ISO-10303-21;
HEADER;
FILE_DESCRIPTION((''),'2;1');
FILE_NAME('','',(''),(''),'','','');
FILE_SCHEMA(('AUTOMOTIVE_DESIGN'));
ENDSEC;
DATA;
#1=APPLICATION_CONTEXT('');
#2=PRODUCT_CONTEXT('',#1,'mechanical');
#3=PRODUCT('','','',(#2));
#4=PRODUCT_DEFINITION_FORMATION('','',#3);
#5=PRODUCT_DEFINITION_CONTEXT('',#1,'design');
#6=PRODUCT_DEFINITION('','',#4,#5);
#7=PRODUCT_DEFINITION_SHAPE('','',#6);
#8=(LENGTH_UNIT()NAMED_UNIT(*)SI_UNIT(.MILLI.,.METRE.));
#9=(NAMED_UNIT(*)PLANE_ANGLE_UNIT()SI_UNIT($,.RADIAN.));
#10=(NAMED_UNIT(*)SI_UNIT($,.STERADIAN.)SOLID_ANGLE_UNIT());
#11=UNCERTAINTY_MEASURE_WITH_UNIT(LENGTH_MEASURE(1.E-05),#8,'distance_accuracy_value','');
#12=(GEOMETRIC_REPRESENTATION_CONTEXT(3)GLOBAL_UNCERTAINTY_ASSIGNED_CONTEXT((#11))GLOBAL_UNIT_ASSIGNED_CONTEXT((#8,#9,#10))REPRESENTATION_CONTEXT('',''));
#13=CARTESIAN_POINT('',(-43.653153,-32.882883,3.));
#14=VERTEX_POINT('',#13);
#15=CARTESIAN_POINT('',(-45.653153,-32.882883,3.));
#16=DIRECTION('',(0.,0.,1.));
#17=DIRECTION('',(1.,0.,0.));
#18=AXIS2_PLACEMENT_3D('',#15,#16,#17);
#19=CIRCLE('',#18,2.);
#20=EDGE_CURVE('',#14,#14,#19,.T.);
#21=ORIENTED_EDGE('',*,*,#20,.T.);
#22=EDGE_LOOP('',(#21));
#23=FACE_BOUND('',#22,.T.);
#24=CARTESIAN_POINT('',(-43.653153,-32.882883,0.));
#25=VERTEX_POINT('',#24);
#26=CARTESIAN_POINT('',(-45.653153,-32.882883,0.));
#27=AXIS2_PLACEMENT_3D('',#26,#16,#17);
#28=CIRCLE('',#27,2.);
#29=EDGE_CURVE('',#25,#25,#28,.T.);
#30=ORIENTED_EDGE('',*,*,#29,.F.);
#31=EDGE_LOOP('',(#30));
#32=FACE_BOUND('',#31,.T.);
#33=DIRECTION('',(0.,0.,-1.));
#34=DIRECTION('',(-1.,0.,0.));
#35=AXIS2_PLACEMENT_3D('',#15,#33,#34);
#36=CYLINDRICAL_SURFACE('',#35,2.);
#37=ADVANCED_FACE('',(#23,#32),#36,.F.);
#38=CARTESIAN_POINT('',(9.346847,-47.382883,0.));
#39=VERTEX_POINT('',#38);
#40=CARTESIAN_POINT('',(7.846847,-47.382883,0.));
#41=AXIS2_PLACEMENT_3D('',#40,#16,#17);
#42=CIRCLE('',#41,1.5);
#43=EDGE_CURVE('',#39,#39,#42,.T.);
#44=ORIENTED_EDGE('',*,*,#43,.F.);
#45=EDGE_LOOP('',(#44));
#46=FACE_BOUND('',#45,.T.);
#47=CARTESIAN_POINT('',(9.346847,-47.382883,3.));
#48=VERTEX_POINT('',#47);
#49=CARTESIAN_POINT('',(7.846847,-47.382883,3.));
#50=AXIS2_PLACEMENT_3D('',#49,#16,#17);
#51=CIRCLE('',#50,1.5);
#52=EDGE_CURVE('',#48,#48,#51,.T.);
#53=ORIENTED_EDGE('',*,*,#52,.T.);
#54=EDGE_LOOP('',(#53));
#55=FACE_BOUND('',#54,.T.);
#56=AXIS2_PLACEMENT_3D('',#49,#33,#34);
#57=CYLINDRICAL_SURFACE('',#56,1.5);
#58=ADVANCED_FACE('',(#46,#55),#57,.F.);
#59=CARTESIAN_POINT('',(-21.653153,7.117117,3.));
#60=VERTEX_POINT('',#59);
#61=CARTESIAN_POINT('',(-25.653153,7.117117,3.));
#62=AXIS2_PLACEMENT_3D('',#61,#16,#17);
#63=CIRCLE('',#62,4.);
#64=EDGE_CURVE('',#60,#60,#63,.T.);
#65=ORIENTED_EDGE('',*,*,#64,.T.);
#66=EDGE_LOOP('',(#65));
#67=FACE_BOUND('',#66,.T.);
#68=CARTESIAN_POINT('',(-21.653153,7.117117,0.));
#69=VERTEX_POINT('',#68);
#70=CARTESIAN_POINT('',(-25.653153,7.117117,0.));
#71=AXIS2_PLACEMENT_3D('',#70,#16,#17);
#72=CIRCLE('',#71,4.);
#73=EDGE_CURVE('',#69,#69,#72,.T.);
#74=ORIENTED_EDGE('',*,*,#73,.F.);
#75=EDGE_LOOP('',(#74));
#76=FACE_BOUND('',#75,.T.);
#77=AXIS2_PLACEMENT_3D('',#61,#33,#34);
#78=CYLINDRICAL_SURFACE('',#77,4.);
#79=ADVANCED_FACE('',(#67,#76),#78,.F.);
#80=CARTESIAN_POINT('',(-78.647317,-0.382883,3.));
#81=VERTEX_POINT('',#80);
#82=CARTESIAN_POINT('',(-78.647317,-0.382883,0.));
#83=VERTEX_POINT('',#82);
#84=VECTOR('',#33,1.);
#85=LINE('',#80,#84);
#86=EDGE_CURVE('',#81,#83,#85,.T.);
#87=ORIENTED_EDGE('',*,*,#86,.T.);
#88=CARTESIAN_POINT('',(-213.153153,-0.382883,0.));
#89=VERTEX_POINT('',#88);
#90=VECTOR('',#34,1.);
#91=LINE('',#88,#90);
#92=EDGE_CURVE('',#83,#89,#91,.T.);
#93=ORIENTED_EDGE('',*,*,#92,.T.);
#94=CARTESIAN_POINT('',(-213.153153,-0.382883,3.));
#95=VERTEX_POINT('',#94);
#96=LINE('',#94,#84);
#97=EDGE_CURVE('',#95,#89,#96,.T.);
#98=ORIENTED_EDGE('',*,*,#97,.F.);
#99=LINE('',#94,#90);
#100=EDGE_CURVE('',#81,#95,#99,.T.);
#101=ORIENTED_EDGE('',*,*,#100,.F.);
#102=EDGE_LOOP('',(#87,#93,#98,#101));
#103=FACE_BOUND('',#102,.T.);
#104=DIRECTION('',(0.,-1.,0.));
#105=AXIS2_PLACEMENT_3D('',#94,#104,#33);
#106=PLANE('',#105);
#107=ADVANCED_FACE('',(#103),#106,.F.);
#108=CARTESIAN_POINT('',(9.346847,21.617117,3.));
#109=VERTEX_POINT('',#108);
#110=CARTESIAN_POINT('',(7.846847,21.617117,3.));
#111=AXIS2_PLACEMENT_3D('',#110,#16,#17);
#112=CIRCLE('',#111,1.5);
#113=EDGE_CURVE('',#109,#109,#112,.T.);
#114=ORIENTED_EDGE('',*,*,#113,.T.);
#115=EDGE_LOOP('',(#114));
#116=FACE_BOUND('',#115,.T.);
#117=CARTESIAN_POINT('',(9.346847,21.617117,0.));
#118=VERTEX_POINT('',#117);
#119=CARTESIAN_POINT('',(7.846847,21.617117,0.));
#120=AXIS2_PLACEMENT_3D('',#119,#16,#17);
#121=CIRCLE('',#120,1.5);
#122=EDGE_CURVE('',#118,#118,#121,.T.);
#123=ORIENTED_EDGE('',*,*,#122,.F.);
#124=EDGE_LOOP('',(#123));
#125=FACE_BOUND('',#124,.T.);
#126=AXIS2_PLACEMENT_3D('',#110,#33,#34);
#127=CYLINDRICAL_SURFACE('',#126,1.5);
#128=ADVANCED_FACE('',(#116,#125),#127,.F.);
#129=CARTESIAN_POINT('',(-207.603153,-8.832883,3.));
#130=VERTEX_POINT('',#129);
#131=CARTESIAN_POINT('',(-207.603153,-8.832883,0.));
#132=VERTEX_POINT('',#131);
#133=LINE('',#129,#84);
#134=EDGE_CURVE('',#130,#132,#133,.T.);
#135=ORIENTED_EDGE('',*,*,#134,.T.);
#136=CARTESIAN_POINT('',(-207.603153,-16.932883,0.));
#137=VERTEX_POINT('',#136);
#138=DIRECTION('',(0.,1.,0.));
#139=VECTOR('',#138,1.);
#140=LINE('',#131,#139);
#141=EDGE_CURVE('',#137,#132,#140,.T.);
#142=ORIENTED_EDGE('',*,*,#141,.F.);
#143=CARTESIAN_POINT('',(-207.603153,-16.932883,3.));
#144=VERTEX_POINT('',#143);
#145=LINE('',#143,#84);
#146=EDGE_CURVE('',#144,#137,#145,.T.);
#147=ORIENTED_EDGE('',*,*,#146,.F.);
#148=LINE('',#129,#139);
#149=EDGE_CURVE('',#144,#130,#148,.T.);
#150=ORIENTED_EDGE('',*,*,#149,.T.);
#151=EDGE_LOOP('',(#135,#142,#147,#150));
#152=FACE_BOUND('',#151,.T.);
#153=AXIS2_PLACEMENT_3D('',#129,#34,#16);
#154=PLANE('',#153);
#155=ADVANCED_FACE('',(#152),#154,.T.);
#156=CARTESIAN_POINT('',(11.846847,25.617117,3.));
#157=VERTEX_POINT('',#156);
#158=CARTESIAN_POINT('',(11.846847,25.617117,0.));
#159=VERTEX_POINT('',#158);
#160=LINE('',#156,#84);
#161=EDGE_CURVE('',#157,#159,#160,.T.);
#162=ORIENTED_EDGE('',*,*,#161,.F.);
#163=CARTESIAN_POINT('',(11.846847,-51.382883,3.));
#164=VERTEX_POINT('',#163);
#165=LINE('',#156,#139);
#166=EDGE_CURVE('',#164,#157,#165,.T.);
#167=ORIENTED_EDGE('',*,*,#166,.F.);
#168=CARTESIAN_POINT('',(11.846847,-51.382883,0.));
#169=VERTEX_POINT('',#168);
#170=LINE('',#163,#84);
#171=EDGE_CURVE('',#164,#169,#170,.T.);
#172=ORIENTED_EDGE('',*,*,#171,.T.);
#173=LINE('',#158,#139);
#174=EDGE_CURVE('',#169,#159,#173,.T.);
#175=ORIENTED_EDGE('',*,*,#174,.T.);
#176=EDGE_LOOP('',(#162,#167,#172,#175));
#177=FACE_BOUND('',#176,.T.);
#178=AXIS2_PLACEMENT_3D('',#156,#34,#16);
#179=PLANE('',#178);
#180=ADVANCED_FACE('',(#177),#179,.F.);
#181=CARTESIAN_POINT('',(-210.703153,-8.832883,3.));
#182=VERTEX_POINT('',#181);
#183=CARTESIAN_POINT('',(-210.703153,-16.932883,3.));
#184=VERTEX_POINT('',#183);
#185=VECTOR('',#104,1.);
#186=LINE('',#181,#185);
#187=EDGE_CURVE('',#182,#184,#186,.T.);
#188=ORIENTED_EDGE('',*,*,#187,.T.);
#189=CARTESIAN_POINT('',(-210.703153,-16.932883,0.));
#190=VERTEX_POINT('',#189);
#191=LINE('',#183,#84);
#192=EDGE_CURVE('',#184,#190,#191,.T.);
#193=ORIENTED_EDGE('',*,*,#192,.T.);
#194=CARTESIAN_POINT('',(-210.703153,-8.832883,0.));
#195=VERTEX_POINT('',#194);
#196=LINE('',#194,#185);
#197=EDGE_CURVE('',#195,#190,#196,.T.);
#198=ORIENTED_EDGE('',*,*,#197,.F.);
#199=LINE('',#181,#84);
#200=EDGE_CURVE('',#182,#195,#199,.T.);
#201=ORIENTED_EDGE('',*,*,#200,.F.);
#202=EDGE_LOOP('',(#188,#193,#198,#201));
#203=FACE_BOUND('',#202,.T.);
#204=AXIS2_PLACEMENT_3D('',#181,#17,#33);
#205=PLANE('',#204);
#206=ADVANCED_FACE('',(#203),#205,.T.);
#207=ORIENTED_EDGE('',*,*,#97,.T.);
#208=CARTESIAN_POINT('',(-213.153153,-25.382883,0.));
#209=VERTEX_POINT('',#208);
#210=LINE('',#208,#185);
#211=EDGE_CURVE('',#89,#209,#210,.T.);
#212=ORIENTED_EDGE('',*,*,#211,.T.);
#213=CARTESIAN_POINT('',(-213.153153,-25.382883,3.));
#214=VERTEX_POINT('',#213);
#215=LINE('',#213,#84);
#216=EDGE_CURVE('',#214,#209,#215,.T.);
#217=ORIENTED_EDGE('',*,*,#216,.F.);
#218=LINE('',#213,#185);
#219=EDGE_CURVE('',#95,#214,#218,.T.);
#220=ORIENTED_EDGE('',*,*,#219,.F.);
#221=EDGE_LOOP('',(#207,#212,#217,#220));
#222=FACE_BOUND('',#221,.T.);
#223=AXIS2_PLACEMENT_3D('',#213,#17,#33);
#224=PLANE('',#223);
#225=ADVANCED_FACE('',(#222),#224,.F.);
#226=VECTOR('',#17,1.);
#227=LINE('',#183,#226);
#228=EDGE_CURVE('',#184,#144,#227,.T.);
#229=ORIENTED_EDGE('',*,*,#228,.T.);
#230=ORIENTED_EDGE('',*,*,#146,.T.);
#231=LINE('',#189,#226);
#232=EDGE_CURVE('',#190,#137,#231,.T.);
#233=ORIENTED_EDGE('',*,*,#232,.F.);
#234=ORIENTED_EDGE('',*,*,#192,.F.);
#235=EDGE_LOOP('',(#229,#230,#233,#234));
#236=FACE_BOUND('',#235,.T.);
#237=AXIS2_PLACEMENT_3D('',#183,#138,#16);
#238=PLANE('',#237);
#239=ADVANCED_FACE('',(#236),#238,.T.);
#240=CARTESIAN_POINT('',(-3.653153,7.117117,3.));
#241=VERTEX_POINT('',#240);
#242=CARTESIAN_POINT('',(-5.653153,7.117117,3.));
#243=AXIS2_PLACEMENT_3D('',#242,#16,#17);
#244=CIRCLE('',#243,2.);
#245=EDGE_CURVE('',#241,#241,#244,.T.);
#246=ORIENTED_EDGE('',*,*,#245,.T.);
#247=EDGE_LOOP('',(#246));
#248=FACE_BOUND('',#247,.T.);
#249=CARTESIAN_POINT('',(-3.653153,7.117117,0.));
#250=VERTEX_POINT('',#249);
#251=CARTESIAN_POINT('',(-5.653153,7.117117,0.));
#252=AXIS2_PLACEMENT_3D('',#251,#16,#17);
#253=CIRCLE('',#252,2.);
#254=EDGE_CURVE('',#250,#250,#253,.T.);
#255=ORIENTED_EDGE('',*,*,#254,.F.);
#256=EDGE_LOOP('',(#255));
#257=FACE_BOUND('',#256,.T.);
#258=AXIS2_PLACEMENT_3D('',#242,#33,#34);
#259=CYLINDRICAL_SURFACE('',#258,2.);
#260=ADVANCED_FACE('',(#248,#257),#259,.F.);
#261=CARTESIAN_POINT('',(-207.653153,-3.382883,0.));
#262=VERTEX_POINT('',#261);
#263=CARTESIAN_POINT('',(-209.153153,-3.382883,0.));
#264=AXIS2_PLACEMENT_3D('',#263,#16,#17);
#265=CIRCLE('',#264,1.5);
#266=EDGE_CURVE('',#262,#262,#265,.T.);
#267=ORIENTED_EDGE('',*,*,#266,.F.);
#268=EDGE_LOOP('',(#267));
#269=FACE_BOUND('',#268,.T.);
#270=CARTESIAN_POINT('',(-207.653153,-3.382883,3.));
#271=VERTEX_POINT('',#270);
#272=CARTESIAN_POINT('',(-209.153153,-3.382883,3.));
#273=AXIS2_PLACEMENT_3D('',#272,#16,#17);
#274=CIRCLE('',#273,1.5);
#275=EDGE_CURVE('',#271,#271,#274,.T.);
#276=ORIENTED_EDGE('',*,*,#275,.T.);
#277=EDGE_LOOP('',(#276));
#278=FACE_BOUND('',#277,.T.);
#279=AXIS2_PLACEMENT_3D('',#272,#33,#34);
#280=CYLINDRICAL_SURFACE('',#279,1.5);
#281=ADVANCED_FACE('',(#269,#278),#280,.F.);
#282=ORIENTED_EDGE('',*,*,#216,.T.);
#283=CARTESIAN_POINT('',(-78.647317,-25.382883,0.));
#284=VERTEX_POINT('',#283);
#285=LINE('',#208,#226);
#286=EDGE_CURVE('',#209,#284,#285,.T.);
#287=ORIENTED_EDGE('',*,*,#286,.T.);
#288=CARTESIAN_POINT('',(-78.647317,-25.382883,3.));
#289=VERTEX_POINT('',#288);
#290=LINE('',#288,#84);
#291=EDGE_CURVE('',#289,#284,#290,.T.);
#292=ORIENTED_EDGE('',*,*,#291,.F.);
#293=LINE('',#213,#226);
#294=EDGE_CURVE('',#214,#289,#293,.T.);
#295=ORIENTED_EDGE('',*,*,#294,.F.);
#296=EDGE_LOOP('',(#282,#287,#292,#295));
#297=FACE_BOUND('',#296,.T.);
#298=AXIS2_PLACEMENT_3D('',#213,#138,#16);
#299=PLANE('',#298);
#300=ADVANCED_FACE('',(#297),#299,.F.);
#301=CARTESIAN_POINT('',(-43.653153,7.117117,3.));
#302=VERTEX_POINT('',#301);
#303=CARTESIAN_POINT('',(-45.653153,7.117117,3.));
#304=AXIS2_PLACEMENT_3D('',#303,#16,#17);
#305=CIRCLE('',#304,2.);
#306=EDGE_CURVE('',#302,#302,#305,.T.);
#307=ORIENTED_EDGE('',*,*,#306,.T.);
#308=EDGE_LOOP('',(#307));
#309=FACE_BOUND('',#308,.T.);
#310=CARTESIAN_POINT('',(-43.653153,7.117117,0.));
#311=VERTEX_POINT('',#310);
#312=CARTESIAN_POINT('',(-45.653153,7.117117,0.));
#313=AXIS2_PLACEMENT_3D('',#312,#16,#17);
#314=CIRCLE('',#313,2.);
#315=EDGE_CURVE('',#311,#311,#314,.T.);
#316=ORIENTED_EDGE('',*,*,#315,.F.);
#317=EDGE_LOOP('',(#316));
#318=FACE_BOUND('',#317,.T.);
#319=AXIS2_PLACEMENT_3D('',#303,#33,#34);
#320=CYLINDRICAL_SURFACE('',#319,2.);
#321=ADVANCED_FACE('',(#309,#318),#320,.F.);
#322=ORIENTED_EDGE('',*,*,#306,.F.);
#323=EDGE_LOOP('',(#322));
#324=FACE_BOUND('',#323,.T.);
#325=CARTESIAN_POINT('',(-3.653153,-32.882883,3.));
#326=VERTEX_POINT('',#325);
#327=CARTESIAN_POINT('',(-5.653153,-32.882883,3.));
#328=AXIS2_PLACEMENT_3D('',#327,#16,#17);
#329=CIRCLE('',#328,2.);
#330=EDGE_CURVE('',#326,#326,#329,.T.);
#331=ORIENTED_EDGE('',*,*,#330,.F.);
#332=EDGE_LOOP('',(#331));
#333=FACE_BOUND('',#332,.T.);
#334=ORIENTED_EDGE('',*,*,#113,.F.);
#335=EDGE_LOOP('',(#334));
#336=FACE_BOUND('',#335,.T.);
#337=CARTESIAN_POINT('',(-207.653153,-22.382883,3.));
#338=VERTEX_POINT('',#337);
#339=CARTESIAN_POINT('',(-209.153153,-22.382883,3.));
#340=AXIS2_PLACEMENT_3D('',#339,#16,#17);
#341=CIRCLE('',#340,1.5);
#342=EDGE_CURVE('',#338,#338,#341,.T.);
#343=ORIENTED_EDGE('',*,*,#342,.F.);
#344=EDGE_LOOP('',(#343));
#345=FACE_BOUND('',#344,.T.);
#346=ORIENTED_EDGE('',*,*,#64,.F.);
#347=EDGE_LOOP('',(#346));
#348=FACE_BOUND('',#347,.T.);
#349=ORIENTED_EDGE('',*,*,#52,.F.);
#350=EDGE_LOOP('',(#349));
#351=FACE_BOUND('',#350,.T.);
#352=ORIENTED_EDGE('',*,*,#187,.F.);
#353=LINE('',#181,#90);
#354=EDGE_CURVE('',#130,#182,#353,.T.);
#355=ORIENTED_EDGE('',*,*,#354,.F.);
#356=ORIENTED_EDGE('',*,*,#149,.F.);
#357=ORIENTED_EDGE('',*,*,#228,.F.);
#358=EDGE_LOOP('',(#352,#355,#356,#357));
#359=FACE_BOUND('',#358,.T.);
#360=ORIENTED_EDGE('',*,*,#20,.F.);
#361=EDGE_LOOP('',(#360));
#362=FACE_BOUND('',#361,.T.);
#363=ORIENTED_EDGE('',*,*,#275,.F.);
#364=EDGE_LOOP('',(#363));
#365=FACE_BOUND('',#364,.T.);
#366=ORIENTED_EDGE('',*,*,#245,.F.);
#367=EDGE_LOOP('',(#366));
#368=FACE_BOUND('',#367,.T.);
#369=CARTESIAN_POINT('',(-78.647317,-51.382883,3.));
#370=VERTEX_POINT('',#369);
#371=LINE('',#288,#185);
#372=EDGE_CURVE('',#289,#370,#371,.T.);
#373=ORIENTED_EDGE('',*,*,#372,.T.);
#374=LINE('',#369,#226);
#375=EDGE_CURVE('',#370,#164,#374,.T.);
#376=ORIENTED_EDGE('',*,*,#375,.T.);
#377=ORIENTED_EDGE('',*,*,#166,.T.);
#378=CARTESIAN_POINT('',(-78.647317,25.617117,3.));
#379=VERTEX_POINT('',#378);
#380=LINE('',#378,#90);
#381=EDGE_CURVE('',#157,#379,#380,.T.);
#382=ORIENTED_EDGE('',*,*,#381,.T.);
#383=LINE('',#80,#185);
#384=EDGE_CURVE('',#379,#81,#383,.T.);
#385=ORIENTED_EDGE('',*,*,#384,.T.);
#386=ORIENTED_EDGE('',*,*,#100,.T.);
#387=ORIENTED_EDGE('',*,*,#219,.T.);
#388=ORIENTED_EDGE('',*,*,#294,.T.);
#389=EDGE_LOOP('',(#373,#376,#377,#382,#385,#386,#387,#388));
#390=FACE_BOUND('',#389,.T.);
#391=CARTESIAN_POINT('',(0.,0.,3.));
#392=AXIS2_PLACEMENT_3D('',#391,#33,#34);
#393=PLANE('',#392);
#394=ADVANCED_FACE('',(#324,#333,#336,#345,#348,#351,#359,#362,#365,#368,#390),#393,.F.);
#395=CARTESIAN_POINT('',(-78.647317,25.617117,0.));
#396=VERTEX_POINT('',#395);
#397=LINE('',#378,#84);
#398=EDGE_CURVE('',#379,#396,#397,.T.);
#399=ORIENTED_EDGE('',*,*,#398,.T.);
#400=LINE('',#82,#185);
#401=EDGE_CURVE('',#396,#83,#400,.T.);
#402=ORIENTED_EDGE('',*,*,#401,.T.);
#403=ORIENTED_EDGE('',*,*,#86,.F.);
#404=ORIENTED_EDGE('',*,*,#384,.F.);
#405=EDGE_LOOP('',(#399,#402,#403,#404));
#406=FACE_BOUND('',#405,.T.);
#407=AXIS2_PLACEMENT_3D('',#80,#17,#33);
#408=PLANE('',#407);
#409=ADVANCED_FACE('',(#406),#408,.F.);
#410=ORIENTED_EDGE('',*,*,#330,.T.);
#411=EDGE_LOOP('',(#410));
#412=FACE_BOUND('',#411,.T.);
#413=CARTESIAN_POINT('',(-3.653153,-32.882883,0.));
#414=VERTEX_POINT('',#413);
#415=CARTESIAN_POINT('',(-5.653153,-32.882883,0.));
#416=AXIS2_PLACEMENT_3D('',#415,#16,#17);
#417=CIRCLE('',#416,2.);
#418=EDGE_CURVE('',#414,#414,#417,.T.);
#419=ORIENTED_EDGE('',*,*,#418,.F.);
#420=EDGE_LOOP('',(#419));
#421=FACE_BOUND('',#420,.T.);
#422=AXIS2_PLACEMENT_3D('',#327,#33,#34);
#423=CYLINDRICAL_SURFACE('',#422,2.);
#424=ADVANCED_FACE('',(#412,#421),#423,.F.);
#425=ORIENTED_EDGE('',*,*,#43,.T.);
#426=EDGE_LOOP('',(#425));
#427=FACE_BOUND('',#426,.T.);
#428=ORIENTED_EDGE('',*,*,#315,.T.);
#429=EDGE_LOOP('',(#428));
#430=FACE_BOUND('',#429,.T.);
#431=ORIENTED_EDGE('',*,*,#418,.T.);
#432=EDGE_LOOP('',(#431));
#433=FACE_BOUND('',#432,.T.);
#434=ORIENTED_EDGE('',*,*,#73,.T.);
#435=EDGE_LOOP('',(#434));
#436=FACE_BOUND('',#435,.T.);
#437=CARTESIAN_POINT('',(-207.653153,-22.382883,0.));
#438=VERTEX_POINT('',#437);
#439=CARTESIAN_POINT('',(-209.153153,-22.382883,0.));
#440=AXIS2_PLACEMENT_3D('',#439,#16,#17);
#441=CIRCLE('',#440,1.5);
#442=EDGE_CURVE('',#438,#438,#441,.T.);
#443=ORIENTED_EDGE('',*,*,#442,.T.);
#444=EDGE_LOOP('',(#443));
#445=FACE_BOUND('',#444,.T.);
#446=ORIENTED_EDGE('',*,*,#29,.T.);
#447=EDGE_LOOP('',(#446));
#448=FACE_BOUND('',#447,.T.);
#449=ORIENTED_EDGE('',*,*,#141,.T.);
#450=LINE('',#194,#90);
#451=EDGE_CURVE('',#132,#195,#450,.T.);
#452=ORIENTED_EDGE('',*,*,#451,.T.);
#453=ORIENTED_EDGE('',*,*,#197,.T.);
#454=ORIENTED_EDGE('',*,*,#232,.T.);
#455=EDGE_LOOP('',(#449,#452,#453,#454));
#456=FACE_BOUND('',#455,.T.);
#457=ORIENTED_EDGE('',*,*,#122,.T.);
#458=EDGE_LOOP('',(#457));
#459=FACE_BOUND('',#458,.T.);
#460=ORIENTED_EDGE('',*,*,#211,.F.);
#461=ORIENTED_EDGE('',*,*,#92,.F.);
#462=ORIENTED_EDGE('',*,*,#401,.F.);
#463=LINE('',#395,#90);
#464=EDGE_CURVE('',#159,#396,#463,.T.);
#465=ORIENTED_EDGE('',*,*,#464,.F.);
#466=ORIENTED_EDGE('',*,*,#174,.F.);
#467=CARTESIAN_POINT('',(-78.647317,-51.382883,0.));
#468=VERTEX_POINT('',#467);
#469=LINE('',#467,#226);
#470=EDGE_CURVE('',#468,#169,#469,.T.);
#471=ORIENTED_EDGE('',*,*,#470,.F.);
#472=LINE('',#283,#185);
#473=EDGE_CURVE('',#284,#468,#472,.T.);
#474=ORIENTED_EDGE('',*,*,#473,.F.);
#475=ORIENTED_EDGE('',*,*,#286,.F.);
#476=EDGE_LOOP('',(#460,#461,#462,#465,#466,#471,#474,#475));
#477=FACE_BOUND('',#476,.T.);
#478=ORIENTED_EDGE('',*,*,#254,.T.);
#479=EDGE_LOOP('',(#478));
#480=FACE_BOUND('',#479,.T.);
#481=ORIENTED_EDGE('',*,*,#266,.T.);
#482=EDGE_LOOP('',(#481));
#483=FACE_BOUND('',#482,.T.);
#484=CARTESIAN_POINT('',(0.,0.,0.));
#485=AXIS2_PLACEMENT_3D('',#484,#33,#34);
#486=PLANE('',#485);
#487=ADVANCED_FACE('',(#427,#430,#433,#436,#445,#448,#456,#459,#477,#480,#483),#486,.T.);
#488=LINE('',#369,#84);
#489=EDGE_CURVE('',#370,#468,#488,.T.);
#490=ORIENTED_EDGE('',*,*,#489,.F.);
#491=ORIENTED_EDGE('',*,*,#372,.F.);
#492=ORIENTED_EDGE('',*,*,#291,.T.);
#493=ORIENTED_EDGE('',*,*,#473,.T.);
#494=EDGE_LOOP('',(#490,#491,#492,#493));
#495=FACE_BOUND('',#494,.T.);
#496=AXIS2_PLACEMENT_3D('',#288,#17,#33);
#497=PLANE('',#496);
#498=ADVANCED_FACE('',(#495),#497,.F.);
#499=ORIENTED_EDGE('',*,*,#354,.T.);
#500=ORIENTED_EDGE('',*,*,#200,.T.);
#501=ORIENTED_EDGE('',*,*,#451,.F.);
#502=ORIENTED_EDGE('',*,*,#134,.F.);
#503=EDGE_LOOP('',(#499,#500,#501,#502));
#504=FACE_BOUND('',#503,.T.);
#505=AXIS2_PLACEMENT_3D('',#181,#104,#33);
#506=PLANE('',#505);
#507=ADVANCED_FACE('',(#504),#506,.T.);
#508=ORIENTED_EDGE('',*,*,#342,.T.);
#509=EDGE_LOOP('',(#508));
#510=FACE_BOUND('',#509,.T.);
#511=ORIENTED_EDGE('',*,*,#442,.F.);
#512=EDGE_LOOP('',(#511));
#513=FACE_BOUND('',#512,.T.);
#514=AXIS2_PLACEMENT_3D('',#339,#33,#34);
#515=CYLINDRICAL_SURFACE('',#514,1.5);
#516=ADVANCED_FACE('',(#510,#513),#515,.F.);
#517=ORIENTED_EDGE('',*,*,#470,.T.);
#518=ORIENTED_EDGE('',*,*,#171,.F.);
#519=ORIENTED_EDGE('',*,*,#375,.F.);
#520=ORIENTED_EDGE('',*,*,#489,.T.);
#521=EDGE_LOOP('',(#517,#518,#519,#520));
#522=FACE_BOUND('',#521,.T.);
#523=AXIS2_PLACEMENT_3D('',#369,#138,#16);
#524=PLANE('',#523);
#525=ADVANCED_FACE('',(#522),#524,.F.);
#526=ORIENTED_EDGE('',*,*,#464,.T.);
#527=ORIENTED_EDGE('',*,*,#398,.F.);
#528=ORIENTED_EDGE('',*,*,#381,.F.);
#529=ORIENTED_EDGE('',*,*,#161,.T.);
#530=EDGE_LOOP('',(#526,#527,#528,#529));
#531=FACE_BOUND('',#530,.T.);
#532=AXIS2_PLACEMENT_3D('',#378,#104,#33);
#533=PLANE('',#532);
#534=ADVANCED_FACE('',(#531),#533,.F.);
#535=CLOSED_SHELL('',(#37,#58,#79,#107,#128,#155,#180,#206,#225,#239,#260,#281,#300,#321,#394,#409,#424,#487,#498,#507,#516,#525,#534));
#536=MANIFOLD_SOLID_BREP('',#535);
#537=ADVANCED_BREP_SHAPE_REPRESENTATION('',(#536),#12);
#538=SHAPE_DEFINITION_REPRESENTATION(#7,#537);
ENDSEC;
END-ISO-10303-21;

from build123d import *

# Parameters (mm, degrees)
SKETCH_1_R      = 1.5
SKETCH_1_R_2    = 2
SKETCH_1_R_3    = 4
SKETCH_1_W      = 3.1
SKETCH_1_H      = 8.1
EXTRUDE_1_DEPTH = 3


with BuildPart() as part:
    # 草图1 → 凸台-拉伸1 (new body)
    with BuildSketch(Plane.XY):
        Polygon((11.846846847, 25.617117117), (11.846846847, -51.382882883), (-78.647317431, -51.382882883), (-78.647317431, -25.382882883), (-213.153153153, -25.382882883), (-213.153153153, -0.382882883), (-78.647317431, -0.382882883), (-78.647317431, 25.617117117), align=None)
        with Locations((-209.153153153, -3.382882883)):
            Circle(SKETCH_1_R, mode=Mode.SUBTRACT)
        with Locations((7.846846847, 21.617117117)):
            Circle(SKETCH_1_R, mode=Mode.SUBTRACT)
        with Locations((-209.153153153, -22.382882883)):
            Circle(SKETCH_1_R, mode=Mode.SUBTRACT)
        with Locations((7.846846847, -47.382882883)):
            Circle(SKETCH_1_R, mode=Mode.SUBTRACT)
        with Locations((-5.653153153, -32.882882883)):
            Circle(SKETCH_1_R_2, mode=Mode.SUBTRACT)
        with Locations((-45.653153153, -32.882882883)):
            Circle(SKETCH_1_R_2, mode=Mode.SUBTRACT)
        with Locations((-45.653153153, 7.117117117)):
            Circle(SKETCH_1_R_2, mode=Mode.SUBTRACT)
        with Locations((-5.653153153, 7.117117117)):
            Circle(SKETCH_1_R_2, mode=Mode.SUBTRACT)
        with Locations((-25.653153153, 7.117117117)):
            Circle(SKETCH_1_R_3, mode=Mode.SUBTRACT)
        with Locations((-209.153153153, -12.882882883)):
            Rectangle(SKETCH_1_W, SKETCH_1_H, mode=Mode.SUBTRACT)
    extrude(amount=EXTRUDE_1_DEPTH)


solid = part.part
